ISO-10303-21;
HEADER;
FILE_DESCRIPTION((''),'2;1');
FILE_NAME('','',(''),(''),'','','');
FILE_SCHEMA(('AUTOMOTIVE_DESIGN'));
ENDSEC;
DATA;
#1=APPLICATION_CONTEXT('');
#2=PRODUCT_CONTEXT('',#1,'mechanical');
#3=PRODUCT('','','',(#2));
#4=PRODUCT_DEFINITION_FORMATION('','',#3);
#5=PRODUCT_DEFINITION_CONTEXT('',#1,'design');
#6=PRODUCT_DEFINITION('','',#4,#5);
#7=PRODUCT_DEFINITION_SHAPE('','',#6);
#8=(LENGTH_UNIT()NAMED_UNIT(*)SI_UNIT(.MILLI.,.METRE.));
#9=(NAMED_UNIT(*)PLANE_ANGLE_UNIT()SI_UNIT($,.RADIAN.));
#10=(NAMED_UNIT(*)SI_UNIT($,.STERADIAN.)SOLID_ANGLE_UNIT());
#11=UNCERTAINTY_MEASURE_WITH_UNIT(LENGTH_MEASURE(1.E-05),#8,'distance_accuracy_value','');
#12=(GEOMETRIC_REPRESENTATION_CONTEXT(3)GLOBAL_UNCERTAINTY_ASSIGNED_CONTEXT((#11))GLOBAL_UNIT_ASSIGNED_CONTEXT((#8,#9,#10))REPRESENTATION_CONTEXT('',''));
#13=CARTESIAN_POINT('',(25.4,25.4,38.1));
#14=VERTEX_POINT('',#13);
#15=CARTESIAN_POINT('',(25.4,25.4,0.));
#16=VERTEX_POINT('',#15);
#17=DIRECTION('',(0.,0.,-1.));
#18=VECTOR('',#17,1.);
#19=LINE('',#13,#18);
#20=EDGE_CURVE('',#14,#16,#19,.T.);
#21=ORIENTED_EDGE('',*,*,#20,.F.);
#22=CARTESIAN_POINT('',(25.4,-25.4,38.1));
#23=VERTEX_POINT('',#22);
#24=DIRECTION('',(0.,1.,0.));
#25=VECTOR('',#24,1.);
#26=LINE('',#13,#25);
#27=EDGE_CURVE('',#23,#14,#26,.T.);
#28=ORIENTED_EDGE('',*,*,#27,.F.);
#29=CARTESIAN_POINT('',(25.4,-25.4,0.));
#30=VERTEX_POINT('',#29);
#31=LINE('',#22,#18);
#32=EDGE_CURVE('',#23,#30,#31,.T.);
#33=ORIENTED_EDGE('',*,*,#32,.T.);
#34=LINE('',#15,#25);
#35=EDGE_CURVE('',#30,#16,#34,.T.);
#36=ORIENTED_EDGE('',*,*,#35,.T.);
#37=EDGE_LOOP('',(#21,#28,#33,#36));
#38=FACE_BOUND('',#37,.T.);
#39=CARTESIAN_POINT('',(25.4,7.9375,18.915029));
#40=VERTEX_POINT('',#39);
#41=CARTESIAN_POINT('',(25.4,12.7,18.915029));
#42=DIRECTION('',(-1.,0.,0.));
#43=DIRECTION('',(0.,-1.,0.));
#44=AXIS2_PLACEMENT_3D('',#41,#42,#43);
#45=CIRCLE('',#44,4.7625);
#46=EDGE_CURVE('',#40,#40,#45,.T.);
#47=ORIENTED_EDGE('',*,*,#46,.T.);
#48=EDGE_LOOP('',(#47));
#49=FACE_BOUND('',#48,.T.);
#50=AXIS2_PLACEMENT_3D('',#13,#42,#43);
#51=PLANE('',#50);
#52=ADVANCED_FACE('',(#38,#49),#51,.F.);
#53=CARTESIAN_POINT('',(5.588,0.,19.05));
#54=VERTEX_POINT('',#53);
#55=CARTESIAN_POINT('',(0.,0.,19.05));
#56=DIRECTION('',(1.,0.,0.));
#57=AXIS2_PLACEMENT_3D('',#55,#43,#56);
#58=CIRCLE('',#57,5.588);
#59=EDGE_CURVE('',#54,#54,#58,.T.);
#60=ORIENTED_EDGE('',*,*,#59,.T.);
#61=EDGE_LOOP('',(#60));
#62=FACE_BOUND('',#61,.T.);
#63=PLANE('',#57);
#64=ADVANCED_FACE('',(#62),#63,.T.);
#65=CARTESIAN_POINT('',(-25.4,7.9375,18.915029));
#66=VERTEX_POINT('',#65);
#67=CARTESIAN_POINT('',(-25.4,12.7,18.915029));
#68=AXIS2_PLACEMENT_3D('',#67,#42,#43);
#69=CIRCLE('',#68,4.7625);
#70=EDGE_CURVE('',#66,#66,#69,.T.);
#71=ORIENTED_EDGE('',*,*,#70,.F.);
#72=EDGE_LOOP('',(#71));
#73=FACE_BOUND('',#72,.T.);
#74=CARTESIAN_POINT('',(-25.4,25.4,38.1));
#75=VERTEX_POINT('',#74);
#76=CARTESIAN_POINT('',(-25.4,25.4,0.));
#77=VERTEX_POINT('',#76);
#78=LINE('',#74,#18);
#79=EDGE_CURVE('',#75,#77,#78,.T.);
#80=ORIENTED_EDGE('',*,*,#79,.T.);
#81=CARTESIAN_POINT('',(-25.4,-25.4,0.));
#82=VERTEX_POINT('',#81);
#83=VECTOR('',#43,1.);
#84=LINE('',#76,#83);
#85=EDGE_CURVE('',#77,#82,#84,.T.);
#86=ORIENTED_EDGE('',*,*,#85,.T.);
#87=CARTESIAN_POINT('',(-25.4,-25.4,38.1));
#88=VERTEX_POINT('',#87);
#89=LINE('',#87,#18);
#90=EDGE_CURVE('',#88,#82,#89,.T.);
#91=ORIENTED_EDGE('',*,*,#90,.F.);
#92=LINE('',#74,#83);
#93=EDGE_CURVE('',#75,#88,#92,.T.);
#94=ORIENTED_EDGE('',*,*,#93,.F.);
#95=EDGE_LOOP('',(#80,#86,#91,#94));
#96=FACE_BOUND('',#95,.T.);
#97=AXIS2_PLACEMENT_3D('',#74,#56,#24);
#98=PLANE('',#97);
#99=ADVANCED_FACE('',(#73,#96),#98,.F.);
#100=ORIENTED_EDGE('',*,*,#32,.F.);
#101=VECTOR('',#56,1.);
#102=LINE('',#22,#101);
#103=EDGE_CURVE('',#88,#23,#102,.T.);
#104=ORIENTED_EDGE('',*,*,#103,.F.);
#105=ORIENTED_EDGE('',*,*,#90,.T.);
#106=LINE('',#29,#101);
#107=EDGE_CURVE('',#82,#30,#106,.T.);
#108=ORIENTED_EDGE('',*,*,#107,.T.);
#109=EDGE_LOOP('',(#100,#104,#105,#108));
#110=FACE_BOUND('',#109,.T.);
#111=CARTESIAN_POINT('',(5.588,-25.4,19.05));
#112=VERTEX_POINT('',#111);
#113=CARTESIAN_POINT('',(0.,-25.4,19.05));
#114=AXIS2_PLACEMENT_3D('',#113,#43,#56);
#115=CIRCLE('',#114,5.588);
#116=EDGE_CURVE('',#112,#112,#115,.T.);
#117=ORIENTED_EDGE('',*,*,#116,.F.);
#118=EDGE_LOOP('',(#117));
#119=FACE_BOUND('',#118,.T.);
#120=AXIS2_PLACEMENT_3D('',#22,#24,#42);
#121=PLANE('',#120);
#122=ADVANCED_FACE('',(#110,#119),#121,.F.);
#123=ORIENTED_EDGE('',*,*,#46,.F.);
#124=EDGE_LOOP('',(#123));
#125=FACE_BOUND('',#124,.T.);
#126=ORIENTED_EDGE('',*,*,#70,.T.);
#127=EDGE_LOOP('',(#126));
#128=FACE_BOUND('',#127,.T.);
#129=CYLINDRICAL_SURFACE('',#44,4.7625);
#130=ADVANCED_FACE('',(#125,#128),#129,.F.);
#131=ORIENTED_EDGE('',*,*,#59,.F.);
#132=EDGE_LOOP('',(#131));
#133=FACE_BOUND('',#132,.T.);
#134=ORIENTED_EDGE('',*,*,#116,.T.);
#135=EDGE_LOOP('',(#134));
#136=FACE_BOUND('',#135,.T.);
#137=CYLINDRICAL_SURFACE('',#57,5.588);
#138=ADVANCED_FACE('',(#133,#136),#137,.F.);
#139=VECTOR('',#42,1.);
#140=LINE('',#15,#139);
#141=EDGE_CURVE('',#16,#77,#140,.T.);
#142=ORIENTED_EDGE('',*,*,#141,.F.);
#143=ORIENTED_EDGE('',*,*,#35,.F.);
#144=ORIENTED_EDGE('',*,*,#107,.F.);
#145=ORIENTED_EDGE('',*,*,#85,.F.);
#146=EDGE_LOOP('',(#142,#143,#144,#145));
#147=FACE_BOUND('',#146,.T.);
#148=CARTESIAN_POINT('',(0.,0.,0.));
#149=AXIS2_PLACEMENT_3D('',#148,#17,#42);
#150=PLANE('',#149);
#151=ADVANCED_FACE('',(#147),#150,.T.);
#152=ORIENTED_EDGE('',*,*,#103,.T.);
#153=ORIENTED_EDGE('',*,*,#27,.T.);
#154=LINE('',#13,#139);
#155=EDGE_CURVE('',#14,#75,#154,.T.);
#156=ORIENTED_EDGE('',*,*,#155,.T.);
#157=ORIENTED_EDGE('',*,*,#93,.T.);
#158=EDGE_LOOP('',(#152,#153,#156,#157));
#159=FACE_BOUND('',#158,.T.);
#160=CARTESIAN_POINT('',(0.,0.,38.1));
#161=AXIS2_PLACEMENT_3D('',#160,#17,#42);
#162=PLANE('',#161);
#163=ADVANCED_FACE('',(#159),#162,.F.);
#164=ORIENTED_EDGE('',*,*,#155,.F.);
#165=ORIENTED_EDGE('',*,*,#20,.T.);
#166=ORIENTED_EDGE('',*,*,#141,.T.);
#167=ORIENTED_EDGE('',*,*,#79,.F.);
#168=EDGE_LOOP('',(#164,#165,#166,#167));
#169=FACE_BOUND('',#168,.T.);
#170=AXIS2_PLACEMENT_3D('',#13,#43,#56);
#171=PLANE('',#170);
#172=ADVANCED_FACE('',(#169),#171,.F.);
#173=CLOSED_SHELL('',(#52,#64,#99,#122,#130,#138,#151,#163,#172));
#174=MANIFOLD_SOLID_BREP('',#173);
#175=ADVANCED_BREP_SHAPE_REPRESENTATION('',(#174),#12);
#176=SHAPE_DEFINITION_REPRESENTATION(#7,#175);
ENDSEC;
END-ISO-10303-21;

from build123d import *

# Parameters (mm, degrees)
SKETCH1_W           = 50.8
SKETCH1_H           = 50.8
BOSS_EXTRUDE1_DEPTH = 38.1
SKETCH3_R           = 5.588
CUT_EXTRUDE1_DEPTH  = 25.4
SKETCH4_R           = 4.7625
CUT_EXTRUDE2_DEPTH  = 51.8


with BuildPart() as part:
    # Sketch1 → Boss-Extrude1 (new body)
    with BuildSketch(Plane.XY):
        Rectangle(SKETCH1_W, SKETCH1_H)
    extrude(amount=BOSS_EXTRUDE1_DEPTH)

    # Sketch3 → Cut-Extrude1 (cut)
    with BuildSketch(Plane.XZ.offset(25.4)):
        with Locations((0, 19.05)):
            Circle(SKETCH3_R)
    extrude(amount=-CUT_EXTRUDE1_DEPTH, mode=Mode.SUBTRACT)

    # Sketch4 → Cut-Extrude2 (cut, through all)
    with BuildSketch(Plane.ZY.offset(25.4)):
        with Locations((18.915028582, 12.7)):
            Circle(SKETCH4_R)
    extrude(amount=-CUT_EXTRUDE2_DEPTH, mode=Mode.SUBTRACT)


solid = part.part
